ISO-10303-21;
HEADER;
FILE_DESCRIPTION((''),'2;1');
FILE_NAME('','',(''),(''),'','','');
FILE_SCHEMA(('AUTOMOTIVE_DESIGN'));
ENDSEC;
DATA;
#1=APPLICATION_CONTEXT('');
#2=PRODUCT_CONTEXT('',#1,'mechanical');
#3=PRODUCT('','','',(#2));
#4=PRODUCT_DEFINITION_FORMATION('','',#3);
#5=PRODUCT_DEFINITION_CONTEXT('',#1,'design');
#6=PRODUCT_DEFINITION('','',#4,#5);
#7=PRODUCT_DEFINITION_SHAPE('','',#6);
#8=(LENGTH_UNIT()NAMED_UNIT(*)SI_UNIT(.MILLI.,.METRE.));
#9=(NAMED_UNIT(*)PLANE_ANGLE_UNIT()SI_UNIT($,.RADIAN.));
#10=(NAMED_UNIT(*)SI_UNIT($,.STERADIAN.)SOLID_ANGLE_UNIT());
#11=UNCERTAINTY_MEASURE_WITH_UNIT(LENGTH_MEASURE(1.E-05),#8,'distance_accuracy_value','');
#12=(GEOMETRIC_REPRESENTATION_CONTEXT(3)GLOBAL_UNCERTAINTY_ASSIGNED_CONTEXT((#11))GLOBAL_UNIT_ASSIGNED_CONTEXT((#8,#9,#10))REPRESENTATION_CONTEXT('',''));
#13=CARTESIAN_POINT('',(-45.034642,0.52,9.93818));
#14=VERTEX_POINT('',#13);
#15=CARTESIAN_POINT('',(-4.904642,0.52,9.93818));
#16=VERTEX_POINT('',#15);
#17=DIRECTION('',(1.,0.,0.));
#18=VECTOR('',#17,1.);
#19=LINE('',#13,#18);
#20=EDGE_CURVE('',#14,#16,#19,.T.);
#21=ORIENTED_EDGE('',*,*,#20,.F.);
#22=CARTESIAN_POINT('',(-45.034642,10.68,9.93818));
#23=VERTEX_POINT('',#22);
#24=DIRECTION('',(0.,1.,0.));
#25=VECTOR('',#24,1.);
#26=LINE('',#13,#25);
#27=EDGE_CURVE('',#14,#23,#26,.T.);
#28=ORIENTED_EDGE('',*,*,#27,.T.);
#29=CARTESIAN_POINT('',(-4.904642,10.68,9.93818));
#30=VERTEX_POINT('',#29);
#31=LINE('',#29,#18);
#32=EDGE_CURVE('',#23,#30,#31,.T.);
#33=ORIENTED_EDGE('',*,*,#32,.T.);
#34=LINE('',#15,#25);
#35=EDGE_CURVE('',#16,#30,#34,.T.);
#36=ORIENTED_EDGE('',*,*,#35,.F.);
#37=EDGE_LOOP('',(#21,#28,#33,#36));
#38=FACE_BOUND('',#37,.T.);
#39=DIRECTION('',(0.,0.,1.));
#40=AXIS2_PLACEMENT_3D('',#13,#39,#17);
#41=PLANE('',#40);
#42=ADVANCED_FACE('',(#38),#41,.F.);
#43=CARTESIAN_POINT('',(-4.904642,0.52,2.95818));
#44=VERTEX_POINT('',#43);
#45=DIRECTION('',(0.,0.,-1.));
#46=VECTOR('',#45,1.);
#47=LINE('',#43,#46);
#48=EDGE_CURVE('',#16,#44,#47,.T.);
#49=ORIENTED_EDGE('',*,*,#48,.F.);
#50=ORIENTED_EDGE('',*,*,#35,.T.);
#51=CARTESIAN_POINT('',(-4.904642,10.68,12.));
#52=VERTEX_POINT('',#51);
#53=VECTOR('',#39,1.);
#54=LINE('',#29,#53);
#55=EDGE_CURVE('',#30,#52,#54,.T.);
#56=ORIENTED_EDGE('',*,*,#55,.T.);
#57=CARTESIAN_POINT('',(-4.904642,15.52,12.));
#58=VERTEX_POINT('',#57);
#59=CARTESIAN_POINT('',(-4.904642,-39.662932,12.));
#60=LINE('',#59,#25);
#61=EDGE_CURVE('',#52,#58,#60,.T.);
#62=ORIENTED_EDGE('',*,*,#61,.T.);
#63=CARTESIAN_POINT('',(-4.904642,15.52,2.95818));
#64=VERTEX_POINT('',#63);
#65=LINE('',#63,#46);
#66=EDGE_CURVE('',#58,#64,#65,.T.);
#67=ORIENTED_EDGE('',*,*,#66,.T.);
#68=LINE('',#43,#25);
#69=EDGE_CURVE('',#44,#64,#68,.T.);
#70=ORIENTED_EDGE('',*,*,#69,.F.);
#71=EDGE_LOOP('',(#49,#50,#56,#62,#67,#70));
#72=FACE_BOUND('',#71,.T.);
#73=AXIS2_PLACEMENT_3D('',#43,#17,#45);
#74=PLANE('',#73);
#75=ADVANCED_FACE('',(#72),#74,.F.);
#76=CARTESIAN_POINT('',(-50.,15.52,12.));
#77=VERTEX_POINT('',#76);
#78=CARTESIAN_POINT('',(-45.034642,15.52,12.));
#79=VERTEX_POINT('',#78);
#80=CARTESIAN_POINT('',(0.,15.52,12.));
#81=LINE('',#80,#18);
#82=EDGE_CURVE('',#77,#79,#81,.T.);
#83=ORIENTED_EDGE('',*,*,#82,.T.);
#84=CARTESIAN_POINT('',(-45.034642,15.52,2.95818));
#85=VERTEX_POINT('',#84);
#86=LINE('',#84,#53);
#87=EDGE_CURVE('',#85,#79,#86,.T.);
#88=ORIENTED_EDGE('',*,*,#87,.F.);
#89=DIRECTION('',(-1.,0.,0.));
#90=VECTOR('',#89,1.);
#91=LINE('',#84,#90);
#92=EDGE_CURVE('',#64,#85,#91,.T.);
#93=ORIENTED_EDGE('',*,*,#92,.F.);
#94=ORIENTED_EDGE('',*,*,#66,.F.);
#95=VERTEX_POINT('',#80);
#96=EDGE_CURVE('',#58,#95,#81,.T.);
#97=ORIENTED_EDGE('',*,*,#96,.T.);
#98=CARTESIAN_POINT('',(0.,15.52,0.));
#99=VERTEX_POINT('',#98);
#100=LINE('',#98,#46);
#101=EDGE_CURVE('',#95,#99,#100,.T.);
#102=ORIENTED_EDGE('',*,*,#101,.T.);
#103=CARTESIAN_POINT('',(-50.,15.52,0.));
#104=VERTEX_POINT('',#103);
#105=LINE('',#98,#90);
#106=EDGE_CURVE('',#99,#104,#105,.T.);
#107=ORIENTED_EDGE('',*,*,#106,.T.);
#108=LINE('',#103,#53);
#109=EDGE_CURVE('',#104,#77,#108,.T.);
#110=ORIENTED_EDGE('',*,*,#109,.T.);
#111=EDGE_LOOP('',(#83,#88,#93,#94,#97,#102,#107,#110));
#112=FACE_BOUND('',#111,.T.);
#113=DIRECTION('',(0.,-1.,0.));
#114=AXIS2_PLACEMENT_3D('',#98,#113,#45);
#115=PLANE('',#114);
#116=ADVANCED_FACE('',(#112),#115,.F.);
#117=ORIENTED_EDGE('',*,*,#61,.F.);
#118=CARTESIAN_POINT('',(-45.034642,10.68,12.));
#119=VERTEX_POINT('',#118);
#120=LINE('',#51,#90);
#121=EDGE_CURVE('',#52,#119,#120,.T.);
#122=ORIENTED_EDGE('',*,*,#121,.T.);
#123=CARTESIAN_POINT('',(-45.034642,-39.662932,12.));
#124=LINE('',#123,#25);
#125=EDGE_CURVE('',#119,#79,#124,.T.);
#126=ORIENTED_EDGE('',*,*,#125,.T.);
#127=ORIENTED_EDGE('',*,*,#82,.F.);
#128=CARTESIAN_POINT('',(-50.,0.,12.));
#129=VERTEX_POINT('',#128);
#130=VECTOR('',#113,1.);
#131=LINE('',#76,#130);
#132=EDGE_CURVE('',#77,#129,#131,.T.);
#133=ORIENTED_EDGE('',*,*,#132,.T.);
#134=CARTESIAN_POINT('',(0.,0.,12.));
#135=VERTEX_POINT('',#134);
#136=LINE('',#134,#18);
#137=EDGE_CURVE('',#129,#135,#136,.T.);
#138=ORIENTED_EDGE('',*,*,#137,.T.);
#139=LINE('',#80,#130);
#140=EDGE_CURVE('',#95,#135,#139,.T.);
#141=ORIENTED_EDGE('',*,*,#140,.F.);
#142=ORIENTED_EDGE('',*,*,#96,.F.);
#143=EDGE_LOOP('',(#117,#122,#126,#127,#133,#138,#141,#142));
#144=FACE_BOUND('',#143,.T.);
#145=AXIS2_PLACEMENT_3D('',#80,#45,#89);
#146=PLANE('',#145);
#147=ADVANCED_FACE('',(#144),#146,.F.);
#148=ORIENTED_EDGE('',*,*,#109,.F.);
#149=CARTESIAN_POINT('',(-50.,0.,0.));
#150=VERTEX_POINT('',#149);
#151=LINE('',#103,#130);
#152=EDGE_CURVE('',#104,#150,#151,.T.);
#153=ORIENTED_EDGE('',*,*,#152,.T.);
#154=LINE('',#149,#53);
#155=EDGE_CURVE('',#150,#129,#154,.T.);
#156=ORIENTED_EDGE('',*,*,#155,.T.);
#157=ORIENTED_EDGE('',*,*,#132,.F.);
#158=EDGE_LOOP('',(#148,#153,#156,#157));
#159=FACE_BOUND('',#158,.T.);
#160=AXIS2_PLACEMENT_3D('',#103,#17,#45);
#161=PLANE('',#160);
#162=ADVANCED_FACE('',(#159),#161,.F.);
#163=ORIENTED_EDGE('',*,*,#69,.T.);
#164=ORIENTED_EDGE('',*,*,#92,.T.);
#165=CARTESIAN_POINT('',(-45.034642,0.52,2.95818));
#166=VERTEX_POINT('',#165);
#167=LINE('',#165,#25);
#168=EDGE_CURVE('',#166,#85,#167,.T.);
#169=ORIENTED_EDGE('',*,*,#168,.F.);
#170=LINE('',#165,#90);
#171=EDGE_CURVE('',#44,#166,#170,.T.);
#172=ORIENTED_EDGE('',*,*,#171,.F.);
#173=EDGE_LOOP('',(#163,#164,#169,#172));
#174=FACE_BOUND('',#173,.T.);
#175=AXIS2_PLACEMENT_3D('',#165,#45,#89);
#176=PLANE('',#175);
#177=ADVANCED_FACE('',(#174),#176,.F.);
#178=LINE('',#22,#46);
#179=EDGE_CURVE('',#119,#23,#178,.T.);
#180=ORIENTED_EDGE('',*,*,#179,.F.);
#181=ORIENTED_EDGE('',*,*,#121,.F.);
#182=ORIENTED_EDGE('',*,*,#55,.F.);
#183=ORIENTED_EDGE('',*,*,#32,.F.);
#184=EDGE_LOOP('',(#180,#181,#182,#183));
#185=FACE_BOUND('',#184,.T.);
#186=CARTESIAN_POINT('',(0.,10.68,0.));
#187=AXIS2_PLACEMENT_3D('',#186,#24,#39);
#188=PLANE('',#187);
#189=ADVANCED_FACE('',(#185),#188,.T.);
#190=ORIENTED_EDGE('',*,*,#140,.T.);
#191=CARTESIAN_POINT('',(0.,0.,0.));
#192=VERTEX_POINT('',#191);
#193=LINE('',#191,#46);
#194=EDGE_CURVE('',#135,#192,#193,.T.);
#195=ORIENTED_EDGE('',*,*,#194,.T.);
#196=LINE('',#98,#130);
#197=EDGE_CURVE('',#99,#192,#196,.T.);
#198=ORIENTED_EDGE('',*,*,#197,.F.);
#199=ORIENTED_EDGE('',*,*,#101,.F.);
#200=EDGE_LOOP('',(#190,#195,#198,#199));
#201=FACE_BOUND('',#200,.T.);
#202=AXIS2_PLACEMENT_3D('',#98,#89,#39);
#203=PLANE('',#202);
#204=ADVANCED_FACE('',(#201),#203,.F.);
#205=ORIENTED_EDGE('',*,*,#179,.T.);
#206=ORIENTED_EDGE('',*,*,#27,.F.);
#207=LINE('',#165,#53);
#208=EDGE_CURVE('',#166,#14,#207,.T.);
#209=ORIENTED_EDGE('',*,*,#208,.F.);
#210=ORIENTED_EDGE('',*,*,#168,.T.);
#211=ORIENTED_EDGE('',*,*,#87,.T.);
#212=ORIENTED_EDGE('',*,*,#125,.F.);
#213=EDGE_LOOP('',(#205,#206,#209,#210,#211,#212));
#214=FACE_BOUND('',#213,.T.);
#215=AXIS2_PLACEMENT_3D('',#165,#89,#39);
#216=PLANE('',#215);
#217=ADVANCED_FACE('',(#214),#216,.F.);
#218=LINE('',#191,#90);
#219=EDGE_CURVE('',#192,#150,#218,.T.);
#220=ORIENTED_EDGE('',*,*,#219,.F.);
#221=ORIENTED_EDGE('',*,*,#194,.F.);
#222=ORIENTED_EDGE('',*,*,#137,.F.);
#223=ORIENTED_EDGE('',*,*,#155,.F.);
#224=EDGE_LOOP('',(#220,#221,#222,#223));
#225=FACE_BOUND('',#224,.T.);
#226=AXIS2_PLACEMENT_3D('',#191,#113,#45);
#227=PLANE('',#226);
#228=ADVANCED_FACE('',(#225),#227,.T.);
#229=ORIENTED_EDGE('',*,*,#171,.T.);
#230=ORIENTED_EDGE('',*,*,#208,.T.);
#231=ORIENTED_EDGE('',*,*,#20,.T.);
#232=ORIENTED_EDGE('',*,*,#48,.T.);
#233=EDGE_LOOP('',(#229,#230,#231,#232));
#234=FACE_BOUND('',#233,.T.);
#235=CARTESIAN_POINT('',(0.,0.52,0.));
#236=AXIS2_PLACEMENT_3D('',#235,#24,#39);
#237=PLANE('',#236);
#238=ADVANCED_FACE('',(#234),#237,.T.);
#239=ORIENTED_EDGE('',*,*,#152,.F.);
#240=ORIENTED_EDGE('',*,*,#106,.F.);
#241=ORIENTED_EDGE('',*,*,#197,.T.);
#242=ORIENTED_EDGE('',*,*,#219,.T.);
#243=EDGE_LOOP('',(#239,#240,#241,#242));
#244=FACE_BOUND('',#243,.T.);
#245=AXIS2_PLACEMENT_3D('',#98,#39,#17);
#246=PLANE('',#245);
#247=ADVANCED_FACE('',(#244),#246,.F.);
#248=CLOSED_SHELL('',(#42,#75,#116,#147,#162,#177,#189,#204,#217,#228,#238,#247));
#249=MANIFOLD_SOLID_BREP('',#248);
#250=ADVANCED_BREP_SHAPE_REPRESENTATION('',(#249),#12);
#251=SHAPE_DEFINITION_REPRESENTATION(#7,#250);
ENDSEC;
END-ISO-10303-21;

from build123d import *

# Parameters (mm, degrees)
SKETCH1_W           = 50
SKETCH1_H           = 12
BOSS_EXTRUDE1_DEPTH = 15.52
SKETCH2_W           = 40.13
SKETCH2_H           = 6.98
CUT_EXTRUDE1_DEPTH  = 15
SKETCH3_W           = 40.13
SKETCH3_H           = 2.061819863
CUT_EXTRUDE2_DEPTH  = 4.84


with BuildPart() as part:
    # Sketch1 → Boss-Extrude1 (new body)
    with BuildSketch(Plane(origin=(0, 0, 0), x_dir=(1, 0, 0), z_dir=(0, 1, 0))):
        with Locations((-25, -6)):
            Rectangle(SKETCH1_W, SKETCH1_H)
    extrude(amount=BOSS_EXTRUDE1_DEPTH)

    # Sketch2 → Cut-Extrude1 (cut)
    with BuildSketch(Plane(origin=(0, 15.52, 0), x_dir=(1, 0, 0), z_dir=(0, 1, 0))):
        with Locations((-24.96964194, -6.448180137)):
            Rectangle(SKETCH2_W, SKETCH2_H)
    extrude(amount=-CUT_EXTRUDE1_DEPTH, mode=Mode.SUBTRACT)

    # Sketch3 → Cut-Extrude2 (cut)
    with BuildSketch(Plane(origin=(0, 15.52, 0), x_dir=(1, 0, 0), z_dir=(0, 1, 0))):
        with Locations((-24.96964194, -10.969090068)):
            Rectangle(SKETCH3_W, SKETCH3_H)
    extrude(amount=-CUT_EXTRUDE2_DEPTH, mode=Mode.SUBTRACT)


solid = part.part
